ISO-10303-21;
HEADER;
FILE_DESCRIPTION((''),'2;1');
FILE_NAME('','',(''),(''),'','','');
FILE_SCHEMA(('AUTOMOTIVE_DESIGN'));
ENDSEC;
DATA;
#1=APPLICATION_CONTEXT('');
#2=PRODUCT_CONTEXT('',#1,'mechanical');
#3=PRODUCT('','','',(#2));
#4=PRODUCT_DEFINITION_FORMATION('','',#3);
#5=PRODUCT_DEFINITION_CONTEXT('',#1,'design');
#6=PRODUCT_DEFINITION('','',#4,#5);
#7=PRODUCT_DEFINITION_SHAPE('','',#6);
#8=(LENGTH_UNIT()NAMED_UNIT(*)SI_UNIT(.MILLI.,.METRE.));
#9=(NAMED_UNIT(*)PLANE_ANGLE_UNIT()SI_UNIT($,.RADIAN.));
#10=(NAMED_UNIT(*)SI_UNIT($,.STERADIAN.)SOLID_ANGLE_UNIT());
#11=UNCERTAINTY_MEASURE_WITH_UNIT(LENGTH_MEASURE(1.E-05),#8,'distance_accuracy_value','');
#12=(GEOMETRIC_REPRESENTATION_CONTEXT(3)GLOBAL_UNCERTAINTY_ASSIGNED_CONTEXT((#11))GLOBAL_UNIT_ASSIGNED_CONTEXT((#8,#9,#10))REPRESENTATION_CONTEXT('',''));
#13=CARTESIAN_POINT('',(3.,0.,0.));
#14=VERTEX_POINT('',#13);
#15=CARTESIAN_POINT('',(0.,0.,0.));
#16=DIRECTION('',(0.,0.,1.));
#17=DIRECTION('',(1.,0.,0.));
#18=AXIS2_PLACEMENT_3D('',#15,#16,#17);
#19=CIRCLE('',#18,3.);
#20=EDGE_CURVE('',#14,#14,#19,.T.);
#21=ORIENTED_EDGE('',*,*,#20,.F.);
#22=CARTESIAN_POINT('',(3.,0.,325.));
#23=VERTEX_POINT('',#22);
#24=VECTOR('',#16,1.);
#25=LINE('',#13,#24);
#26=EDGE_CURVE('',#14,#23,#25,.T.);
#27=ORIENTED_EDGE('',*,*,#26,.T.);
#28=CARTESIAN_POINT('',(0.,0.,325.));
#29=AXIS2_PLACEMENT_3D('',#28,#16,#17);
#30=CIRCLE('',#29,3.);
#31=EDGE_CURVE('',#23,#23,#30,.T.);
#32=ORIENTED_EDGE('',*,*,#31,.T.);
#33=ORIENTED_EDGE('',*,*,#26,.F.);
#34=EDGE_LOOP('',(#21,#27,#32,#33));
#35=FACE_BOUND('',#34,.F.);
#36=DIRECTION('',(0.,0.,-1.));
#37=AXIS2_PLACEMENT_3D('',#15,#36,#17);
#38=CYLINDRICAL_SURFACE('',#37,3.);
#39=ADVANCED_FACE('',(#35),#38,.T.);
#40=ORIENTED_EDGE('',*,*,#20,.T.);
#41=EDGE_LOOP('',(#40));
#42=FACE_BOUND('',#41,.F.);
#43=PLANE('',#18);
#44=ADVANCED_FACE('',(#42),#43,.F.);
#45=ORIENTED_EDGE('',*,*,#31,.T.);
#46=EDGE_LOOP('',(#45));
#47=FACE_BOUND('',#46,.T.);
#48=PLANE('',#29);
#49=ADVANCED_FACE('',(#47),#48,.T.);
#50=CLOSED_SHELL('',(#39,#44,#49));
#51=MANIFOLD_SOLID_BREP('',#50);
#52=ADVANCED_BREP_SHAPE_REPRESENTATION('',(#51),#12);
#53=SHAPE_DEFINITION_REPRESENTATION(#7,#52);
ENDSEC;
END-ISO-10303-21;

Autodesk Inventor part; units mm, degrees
ref_plane "YZ Plane" through (0, 0, 0) normal (1, 0, 0) x (0, 1, 0)
ref_plane "XZ Plane" through (0, 0, 0) normal (0, 1, 0) x (-1, 0, 0)
ref_plane "XY Plane" through (0, 0, 0) normal (0, 0, 1) x (1, 0, 0)
sketch "Sketch1" plane through (0, 0, 0) normal (0, 0, 1) x (1, 0, 0)
  circle A0 centre (0, 0) radius 3
  dimension "d0" = 6
extrude "Extrusion1" add sketch "Sketch1" along normal blind 325
thread "Thread1" size "M6x1" class "6g" standard "ISO Metric profile" full length
properties part number "M5 Gewindestange"
